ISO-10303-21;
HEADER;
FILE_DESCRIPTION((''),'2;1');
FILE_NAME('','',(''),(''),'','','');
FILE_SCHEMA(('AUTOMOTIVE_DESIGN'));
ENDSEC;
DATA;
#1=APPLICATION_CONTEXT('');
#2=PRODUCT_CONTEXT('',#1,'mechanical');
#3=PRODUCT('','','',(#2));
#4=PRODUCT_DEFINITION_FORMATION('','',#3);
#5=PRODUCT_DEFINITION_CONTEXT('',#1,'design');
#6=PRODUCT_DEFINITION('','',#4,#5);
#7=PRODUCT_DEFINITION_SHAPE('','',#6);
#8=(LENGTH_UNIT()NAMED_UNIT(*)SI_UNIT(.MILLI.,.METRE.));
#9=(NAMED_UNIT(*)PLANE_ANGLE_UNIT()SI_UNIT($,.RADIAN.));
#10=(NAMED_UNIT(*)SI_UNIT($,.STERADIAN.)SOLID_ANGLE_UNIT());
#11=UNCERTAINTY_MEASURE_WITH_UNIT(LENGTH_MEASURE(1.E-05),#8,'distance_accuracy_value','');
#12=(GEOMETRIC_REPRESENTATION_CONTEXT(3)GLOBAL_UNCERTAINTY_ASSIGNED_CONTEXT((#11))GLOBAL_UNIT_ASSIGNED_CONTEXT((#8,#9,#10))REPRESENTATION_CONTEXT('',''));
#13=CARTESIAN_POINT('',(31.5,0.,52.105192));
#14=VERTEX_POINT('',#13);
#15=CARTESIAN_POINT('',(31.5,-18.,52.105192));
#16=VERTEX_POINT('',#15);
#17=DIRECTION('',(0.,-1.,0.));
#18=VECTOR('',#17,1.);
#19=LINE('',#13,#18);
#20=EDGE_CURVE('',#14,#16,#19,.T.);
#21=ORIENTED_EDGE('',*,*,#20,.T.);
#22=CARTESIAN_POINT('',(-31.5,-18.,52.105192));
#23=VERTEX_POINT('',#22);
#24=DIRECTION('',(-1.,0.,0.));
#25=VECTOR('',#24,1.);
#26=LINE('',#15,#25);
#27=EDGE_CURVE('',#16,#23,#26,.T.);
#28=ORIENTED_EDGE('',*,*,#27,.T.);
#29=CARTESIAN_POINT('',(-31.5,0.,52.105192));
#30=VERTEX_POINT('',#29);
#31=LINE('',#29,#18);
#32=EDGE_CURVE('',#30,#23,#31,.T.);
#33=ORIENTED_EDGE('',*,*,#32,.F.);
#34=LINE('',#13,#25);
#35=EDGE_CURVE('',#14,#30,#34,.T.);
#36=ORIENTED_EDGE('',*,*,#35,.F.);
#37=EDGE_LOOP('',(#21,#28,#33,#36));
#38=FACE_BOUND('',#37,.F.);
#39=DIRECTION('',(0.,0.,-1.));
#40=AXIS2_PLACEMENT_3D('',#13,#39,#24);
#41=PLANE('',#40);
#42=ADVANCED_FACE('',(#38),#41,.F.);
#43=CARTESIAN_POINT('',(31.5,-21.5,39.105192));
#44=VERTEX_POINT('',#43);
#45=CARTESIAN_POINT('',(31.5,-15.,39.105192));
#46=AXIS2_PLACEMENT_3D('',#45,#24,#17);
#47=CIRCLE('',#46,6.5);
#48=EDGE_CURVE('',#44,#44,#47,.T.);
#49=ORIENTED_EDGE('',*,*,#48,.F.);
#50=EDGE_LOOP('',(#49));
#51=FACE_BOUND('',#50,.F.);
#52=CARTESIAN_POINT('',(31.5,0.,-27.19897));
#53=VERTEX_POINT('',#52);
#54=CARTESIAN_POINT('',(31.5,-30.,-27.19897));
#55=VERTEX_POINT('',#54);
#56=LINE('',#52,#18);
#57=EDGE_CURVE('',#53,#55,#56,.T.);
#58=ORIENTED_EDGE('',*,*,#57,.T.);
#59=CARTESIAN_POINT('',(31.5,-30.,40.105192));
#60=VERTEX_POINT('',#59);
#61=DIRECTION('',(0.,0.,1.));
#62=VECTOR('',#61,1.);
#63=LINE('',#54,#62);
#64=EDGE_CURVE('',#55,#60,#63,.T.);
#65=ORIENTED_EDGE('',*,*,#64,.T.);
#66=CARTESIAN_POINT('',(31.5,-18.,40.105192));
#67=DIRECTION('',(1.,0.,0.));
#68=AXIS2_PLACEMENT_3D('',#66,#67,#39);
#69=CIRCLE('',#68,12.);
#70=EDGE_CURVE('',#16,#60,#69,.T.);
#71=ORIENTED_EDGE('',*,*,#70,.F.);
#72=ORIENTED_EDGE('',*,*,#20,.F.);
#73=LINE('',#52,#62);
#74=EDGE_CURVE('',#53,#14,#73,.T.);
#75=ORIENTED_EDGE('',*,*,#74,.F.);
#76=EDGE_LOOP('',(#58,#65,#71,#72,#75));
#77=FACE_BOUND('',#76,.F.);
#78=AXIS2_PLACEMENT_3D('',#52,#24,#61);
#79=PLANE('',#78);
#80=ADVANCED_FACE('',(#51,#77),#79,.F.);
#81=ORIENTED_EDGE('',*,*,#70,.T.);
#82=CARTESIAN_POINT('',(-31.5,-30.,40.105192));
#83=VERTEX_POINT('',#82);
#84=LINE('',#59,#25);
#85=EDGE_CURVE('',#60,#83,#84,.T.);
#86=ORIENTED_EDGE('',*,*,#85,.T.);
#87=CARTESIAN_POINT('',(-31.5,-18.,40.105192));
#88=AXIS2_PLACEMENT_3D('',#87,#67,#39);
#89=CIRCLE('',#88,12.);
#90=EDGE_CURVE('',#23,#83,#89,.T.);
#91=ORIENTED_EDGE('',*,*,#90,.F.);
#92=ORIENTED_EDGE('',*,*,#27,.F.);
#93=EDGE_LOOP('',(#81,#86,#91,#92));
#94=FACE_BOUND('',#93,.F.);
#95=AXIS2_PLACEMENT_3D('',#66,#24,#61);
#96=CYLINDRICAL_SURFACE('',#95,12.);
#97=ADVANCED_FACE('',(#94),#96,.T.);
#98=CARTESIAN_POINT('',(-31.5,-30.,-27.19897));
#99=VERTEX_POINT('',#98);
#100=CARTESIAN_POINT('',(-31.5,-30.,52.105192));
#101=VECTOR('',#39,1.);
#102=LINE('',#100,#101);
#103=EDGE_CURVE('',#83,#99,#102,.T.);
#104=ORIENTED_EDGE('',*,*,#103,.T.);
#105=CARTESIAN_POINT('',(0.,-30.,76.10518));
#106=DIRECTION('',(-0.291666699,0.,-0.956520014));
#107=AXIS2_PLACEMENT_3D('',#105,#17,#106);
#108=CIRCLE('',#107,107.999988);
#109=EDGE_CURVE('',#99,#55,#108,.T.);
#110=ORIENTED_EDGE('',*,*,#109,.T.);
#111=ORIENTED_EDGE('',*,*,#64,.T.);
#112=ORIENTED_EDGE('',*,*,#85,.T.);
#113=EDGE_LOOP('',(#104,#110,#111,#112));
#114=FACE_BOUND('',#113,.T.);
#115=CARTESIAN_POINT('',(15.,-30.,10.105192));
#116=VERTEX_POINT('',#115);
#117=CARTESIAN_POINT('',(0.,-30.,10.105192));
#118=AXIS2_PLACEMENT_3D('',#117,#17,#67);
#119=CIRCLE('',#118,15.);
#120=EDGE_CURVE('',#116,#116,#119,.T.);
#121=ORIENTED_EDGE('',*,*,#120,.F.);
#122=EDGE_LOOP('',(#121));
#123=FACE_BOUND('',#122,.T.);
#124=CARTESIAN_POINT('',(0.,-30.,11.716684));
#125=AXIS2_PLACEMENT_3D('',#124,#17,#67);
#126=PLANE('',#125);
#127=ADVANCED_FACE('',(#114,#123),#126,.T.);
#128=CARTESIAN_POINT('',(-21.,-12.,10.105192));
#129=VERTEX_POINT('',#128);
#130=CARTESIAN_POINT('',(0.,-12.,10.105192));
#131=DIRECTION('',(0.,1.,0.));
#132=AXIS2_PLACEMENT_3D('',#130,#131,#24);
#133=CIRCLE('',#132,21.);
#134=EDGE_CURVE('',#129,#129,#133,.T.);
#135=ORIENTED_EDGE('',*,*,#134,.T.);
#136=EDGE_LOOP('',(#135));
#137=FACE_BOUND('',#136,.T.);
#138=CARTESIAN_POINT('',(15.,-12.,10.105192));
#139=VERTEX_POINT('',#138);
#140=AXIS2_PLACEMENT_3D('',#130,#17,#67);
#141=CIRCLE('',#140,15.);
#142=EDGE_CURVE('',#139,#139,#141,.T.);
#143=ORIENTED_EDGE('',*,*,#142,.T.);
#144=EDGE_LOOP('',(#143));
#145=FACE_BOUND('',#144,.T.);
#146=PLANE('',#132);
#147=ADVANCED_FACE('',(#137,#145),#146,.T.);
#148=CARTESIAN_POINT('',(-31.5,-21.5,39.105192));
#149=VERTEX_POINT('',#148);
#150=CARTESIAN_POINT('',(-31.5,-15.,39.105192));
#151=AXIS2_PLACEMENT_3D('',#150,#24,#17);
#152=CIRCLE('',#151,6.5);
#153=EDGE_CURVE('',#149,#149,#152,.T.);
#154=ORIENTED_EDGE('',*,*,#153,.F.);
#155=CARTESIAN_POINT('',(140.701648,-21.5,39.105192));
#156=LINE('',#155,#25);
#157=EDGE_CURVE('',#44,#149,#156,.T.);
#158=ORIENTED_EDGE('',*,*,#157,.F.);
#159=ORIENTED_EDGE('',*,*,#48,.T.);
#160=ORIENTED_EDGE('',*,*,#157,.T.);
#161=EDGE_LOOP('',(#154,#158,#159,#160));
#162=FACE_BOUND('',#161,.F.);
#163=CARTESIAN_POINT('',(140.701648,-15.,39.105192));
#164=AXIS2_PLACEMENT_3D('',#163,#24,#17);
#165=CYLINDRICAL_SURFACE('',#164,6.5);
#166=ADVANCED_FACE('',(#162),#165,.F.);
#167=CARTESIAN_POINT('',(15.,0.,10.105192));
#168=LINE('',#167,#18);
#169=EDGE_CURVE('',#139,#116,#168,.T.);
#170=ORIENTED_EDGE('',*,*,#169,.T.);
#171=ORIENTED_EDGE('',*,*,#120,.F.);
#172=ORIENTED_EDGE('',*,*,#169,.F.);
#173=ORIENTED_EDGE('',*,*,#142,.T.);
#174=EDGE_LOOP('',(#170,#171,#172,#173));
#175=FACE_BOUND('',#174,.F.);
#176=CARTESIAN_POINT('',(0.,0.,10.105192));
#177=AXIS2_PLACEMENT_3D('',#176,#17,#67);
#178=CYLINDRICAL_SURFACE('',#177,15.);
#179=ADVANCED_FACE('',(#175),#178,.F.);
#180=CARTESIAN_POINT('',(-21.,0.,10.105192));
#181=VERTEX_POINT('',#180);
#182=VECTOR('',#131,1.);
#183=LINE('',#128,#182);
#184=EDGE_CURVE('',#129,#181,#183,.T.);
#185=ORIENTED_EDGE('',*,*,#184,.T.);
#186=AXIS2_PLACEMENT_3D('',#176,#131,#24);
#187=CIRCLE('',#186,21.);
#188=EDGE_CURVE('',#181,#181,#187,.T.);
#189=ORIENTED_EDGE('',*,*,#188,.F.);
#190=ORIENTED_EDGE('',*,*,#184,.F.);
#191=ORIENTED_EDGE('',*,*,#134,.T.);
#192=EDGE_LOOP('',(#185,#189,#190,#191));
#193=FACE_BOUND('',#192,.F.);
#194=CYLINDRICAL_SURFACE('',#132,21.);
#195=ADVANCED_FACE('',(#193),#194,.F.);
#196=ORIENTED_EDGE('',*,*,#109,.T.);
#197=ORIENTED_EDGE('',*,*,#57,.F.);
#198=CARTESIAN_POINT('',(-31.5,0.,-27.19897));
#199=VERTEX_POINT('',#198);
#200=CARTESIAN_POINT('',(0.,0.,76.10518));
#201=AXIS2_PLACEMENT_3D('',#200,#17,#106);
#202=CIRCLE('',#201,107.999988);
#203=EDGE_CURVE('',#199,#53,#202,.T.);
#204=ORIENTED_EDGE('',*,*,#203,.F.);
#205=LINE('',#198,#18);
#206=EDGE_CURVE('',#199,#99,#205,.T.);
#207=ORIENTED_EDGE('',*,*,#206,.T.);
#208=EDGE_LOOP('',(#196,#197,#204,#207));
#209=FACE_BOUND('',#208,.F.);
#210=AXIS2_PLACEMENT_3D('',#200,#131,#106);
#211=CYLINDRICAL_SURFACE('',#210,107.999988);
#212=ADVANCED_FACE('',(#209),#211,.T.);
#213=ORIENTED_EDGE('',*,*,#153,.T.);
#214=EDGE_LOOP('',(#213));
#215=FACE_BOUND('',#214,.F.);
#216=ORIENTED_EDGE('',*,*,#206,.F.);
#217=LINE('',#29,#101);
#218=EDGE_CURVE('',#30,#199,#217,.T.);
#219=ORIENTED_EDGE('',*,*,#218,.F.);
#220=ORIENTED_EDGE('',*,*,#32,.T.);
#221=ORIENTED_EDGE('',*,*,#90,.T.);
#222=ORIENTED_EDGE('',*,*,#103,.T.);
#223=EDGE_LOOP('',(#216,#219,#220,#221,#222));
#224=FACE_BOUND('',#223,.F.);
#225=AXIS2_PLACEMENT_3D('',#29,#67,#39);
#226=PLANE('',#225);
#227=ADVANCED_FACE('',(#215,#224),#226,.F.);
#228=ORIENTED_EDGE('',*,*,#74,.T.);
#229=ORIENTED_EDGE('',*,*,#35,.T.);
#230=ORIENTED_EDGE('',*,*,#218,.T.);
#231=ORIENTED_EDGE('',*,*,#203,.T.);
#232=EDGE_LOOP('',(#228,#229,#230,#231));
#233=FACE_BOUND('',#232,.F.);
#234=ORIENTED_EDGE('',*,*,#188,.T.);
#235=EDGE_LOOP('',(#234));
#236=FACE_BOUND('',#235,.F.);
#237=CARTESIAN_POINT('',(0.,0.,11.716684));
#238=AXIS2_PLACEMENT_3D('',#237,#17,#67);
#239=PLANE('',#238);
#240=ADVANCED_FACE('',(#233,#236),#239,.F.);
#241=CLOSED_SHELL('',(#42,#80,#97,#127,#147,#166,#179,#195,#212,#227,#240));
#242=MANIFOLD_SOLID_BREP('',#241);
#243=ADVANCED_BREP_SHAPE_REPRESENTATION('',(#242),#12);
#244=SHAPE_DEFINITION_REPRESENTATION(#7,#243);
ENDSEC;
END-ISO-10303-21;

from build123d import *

# Parameters (mm, degrees)
F1_DEPTH       = 30
F3_D           = 30
F3_CBORE_D     = 42
F3_CBORE_DEPTH = 12
F5_R           = 12
F6_D           = 13


with BuildPart() as f1:
    # F0 (on Front) → F1 (new body)
    with BuildSketch(Plane.XZ):
        with BuildLine():
            Line((31.5, 52.105192), (-31.5, 52.105192))
            Line((-31.5, 52.105192), (-31.5, -27.19897))
            ThreePointArc((-31.5, -27.19897), (0, -31.894808), (31.5, -27.19897))
            Line((31.5, -27.19897), (31.5, 52.105192))
        make_face()
    extrude(amount=F1_DEPTH)

    # F3 (through all)
    with Locations(Plane(origin=(0, 0, 0), x_dir=(-1, 0, 0), z_dir=(0, 1, 0))):
        with Locations((0, 10.105192)):
            CounterBoreHole(F3_D / 2, F3_CBORE_D / 2, F3_CBORE_DEPTH)

    # F5
    f5_edges = [f1.edges().sort_by_distance(p)[0] for p in [
        (0, -30, 52.105192),
    ]]
    fillet(f5_edges, radius=F5_R)

    # F6 (through all)
    with Locations(Plane.YZ.offset(31.5)):
        with Locations((-15, 39.105192)):
            Hole(F6_D / 2)


solid = f1.part
